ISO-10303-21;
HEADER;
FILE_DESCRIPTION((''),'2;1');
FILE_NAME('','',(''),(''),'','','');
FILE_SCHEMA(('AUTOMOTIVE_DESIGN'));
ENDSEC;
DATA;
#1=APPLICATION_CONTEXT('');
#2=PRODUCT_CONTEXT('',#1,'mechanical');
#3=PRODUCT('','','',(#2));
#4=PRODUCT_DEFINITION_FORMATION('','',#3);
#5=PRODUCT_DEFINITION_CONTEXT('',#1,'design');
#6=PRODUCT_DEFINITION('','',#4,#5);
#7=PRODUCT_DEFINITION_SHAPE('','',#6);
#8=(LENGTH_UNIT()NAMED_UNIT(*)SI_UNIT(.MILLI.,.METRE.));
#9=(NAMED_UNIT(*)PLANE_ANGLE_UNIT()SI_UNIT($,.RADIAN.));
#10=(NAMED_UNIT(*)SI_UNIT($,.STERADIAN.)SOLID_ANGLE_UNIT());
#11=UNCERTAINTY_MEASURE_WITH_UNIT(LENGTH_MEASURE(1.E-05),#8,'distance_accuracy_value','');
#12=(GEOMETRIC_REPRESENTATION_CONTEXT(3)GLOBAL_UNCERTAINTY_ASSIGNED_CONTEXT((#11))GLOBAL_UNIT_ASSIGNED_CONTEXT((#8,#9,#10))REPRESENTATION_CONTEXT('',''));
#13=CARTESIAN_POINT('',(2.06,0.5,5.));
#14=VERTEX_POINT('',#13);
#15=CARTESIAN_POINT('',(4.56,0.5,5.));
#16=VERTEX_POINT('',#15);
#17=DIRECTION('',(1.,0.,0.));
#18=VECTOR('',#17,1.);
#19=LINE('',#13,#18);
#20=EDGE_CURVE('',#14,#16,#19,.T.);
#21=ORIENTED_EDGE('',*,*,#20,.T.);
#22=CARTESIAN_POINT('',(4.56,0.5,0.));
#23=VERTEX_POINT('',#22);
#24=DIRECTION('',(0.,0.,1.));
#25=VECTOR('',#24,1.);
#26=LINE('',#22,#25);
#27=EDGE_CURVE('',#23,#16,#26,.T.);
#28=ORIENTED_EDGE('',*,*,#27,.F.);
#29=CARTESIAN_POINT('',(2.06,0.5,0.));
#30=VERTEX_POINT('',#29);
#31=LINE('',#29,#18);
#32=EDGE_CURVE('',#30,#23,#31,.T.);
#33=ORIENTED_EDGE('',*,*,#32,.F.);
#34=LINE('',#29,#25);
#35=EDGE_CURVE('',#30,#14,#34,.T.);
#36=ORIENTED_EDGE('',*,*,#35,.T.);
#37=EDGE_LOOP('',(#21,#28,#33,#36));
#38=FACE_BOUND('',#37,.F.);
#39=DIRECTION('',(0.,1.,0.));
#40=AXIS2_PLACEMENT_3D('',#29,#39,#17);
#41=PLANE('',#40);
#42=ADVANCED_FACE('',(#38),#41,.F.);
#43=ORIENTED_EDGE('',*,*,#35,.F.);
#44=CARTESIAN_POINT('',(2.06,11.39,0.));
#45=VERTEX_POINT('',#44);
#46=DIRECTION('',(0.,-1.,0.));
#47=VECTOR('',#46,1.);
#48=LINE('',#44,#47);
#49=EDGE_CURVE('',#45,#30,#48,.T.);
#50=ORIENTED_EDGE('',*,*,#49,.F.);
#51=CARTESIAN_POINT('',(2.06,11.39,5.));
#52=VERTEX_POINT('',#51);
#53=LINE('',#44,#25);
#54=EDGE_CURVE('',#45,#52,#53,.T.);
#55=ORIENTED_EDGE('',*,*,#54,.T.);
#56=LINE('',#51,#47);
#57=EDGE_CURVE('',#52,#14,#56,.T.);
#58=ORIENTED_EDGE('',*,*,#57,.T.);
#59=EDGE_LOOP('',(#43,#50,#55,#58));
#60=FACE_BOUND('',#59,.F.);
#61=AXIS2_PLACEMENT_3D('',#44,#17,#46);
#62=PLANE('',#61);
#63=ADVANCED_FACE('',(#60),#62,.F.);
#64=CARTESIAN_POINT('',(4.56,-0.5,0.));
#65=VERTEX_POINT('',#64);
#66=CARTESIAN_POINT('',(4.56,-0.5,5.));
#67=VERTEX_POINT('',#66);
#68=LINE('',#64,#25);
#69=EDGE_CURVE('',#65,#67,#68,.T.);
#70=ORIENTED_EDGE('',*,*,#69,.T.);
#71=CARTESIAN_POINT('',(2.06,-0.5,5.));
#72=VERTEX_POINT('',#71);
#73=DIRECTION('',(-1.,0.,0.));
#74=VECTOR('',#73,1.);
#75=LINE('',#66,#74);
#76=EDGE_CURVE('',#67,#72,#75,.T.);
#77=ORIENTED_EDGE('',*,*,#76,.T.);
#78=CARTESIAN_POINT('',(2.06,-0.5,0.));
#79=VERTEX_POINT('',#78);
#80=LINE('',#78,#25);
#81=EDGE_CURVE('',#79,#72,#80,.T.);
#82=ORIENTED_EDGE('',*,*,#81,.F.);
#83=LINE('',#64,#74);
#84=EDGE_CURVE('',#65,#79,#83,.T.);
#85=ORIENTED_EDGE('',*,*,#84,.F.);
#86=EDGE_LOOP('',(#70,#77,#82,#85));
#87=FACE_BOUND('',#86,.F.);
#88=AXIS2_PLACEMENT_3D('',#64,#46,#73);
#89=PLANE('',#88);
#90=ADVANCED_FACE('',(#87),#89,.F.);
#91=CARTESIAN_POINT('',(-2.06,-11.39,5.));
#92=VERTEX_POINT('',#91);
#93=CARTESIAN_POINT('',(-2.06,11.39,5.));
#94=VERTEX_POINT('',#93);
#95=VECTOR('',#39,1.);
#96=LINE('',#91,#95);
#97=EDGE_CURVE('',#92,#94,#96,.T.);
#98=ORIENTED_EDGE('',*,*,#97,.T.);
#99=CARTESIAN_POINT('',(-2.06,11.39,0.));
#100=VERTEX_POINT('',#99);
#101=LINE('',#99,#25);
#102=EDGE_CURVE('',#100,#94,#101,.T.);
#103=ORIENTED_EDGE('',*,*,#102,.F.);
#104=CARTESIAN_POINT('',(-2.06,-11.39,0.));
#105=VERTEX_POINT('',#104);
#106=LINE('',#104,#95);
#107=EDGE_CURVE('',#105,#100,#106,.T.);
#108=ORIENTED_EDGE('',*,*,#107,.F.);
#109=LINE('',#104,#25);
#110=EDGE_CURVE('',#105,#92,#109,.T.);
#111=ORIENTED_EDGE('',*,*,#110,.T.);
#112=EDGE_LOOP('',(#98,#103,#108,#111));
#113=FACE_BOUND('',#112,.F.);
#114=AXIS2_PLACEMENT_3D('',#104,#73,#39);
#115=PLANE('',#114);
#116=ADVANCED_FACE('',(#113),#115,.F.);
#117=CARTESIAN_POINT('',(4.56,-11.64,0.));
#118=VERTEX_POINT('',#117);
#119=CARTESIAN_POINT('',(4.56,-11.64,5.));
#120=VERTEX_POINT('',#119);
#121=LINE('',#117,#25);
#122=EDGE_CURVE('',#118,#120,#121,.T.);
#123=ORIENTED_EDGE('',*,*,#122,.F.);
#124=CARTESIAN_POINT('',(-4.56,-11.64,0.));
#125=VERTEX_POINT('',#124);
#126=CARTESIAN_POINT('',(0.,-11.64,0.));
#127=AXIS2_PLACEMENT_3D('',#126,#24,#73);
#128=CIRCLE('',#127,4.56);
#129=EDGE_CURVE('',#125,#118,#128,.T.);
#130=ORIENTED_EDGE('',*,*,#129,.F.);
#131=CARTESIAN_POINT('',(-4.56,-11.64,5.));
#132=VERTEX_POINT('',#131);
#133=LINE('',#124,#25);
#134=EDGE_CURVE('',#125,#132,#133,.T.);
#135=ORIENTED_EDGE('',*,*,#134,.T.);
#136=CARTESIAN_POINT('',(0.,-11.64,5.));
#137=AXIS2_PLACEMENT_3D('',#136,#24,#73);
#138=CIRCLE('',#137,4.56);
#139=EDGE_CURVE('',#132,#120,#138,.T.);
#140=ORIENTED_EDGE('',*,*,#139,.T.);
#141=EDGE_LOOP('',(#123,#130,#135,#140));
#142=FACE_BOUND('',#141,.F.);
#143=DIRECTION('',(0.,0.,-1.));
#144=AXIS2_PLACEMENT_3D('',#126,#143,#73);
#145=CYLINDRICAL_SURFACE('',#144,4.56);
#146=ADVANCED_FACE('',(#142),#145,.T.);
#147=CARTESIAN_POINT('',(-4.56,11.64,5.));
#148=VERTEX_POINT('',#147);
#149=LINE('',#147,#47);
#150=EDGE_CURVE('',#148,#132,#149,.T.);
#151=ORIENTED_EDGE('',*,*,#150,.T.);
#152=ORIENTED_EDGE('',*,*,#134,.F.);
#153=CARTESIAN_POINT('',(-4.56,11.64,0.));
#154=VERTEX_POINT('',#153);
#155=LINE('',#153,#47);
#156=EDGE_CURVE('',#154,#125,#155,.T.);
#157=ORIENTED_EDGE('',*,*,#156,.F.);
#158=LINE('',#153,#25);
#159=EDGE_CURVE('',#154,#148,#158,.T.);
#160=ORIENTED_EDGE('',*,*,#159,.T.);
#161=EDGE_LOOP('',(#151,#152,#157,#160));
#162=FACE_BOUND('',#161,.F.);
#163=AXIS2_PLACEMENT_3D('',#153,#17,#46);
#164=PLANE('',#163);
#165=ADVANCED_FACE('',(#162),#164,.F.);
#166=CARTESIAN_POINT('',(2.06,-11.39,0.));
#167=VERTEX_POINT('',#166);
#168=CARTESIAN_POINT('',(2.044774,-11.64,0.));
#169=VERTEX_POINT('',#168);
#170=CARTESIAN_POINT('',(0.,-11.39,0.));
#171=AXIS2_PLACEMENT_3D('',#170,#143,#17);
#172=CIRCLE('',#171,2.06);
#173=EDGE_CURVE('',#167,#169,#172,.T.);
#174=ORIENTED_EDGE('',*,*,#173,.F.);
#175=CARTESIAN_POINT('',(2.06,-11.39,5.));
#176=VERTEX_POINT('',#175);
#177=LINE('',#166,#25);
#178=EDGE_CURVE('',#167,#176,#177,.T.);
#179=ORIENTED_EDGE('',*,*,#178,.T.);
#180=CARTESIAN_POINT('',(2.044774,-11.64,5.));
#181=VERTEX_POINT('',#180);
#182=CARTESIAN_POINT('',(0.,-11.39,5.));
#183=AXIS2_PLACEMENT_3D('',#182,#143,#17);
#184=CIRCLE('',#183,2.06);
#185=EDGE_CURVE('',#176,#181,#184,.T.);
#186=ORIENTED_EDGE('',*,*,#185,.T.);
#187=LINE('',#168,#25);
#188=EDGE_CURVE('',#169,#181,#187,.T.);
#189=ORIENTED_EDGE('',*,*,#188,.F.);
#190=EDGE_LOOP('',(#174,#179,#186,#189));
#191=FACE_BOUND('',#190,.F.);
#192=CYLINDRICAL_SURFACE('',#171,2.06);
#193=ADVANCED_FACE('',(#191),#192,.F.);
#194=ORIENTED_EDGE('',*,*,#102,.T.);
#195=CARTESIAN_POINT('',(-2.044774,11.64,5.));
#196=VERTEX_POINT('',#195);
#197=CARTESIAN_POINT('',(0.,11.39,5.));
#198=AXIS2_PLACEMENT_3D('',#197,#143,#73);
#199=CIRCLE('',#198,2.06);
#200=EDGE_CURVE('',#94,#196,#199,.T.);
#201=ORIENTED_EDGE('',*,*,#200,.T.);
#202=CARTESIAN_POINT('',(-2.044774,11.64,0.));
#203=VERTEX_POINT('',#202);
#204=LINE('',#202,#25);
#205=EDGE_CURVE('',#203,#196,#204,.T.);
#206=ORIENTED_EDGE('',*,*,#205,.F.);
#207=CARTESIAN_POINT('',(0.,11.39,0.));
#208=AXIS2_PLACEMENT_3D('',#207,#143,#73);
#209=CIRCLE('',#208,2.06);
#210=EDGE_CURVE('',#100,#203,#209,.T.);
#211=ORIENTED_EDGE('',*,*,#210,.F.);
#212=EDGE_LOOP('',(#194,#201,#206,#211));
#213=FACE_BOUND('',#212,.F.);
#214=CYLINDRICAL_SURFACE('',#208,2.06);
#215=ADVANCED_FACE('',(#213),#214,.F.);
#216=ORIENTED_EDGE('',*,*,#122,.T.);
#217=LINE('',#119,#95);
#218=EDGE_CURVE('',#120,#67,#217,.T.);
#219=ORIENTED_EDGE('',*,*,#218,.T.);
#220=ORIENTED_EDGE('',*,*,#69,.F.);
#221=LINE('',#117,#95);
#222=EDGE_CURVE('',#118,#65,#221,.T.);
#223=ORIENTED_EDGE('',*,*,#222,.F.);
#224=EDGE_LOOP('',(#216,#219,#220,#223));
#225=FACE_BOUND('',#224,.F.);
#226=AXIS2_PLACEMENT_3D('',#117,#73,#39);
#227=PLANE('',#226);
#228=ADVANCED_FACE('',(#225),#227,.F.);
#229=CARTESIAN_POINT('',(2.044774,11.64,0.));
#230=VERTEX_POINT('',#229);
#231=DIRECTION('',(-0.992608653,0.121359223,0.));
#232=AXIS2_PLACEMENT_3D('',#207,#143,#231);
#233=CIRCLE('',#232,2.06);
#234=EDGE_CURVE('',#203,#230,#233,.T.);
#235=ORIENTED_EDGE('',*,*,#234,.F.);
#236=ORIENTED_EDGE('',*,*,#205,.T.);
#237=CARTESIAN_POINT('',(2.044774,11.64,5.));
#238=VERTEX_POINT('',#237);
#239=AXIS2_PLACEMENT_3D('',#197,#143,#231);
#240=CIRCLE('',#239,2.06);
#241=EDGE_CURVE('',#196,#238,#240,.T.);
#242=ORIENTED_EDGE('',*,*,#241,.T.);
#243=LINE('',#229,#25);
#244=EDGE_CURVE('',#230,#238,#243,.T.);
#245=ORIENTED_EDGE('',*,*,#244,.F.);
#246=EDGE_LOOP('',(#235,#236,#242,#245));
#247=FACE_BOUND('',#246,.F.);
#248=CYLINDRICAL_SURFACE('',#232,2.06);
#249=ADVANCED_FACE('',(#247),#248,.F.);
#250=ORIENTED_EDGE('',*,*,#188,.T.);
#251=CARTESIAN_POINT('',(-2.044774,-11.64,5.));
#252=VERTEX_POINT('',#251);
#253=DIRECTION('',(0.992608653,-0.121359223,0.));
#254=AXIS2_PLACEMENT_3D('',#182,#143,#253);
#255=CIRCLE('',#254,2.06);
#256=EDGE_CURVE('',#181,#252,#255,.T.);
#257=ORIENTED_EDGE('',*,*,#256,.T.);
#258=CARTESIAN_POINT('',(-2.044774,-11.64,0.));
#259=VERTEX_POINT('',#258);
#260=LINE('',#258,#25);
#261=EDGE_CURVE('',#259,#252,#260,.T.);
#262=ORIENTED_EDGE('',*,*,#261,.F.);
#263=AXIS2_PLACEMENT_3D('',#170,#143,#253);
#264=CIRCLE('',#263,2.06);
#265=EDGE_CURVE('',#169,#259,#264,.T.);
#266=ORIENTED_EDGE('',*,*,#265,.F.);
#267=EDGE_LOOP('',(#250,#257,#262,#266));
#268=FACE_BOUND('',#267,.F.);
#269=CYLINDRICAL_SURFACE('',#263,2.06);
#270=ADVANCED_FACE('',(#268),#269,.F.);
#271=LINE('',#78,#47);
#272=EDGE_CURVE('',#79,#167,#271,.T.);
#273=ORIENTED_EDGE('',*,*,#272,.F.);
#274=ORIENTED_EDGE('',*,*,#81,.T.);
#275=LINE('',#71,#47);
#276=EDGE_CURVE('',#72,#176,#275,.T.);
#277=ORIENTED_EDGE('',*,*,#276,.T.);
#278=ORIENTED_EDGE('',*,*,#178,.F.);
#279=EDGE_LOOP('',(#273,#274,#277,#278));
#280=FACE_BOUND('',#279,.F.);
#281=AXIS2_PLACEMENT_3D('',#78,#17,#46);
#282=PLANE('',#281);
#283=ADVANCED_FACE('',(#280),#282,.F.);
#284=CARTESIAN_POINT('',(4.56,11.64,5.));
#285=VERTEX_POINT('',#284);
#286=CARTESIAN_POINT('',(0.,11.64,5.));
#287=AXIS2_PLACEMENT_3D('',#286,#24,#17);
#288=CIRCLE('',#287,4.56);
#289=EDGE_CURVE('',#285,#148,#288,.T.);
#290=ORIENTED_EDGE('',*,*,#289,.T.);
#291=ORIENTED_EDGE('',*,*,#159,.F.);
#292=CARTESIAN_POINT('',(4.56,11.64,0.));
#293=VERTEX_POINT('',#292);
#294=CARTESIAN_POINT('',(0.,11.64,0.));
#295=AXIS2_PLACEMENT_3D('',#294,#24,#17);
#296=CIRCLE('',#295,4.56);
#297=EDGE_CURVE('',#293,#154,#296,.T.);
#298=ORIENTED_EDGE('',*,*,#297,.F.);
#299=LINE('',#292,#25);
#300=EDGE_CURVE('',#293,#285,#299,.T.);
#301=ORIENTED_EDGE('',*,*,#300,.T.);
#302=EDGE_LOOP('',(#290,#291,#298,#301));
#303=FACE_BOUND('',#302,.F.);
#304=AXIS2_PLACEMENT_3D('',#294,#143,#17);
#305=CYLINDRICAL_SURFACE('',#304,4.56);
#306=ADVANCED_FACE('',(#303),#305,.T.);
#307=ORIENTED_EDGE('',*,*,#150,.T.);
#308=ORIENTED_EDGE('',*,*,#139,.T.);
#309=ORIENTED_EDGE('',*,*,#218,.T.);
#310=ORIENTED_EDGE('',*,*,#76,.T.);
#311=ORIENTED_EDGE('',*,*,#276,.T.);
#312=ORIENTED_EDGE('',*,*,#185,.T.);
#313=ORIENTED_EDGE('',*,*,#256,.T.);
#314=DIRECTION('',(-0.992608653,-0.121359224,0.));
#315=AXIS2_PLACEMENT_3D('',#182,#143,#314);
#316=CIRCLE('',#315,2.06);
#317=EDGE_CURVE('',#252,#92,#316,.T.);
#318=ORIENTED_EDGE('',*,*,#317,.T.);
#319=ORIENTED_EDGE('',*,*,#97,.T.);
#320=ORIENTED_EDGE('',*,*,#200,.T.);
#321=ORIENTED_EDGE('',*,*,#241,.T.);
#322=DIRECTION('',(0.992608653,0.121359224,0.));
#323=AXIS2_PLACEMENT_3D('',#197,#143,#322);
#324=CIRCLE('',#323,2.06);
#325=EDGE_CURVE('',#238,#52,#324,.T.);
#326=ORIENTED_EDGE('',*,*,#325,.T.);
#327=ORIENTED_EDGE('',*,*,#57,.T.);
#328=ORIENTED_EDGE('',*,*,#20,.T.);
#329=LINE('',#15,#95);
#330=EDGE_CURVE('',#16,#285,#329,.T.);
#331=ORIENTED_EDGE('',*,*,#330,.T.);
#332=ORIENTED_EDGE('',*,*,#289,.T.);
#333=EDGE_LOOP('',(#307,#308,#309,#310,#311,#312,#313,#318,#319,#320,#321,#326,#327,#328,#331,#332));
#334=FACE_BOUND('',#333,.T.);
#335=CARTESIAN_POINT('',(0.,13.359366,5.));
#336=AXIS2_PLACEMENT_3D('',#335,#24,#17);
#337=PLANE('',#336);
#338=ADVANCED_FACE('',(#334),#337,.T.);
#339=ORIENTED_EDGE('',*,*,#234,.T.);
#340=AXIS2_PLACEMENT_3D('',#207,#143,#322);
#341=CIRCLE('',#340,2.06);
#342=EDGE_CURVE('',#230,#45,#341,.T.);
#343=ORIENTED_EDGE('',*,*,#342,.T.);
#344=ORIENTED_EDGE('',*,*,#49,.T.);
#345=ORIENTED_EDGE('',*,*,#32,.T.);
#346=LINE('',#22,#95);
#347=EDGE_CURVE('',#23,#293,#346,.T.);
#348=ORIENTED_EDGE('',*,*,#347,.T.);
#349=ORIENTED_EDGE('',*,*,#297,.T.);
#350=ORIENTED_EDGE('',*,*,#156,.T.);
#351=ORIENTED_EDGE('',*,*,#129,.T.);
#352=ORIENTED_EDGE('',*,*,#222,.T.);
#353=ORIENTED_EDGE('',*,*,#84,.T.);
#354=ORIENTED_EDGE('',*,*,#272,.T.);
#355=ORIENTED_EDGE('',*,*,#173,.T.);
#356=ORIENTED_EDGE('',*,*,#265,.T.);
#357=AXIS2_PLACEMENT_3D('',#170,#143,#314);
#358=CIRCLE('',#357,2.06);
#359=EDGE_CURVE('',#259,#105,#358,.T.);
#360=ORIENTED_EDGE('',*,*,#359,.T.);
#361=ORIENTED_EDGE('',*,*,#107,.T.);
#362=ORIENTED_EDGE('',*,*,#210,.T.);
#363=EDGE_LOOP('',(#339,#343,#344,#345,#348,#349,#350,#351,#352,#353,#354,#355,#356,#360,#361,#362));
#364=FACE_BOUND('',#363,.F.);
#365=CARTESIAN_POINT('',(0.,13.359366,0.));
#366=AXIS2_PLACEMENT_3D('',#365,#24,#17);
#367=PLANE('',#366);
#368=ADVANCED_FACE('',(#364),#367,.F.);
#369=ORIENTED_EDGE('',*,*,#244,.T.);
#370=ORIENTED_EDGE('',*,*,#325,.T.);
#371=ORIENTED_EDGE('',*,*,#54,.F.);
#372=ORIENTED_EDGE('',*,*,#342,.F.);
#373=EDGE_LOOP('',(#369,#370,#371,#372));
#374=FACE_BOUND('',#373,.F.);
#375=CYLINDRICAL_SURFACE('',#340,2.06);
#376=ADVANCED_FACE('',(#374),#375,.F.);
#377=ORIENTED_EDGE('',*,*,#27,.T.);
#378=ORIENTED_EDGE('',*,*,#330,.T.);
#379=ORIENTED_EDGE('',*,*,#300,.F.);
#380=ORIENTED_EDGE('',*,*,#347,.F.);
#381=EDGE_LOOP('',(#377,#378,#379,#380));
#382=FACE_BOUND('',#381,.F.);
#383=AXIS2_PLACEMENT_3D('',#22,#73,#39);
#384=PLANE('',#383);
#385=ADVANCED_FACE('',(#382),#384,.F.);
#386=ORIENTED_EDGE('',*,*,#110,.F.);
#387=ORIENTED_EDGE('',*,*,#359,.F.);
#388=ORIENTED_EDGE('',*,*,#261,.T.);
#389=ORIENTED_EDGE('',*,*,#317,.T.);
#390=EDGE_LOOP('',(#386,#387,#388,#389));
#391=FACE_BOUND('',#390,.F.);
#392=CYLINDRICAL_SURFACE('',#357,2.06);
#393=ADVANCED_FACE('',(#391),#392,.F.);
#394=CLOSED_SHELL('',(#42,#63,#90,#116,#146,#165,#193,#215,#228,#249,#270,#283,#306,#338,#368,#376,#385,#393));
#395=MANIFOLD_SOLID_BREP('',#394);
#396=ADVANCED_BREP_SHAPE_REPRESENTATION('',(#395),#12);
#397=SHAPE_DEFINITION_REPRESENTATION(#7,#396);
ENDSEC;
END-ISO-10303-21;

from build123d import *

# Parameters (mm, degrees)
F1_DEPTH = 5


with BuildPart() as f1:
    # F0 (on Top) → F1 (new body)
    with BuildSketch(Plane.XY):
        with BuildLine():
            Line((2.0447738261, 11.64), (4.56, 11.64))
            ThreePointArc((4.56, 11.64), (0, 16.2), (-4.56, 11.64))
            Line((-4.56, 11.64), (-2.0447738261, 11.64))
            ThreePointArc((-2.0447738261, 11.64), (0, 13.45), (2.0447738261, 11.64))
        make_face()
        with BuildLine():
            Line((-2.0447738261, 11.64), (-4.56, 11.64))
            Line((-4.56, 11.64), (-4.56, -11.64))
            Line((-4.56, -11.64), (-2.0447738261, -11.64))
            ThreePointArc((-2.0447738261, -11.64), (-2.0561899331, -11.5152316218), (-2.06, -11.39))
            Line((-2.06, -11.39), (-2.06, 11.39))
            ThreePointArc((-2.06, 11.39), (-2.0561899331, 11.5152316218), (-2.0447738261, 11.64))
        make_face()
        with BuildLine():
            Line((-2.0447738261, -11.64), (-4.56, -11.64))
            ThreePointArc((-4.56, -11.64), (0, -16.2), (4.56, -11.64))
            Line((4.56, -11.64), (2.0447738261, -11.64))
            ThreePointArc((2.0447738261, -11.64), (0, -13.45), (-2.0447738261, -11.64))
        make_face()
        with BuildLine():
            Line((4.56, 0.5), (4.56, 11.64))
            Line((4.56, 11.64), (2.0447738261, 11.64))
            ThreePointArc((2.0447738261, 11.64), (2.0561899331, 11.5152316218), (2.06, 11.39))
            Line((2.06, 11.39), (2.06, 0.5))
            Line((2.06, 0.5), (4.56, 0.5))
        make_face()
        with BuildLine():
            Line((4.56, -11.64), (4.56, -0.5))
            Line((4.56, -0.5), (2.06, -0.5))
            Line((2.06, -0.5), (2.06, -11.39))
            ThreePointArc((2.06, -11.39), (2.0561899331, -11.5152316218), (2.0447738261, -11.64))
            Line((2.0447738261, -11.64), (4.56, -11.64))
        make_face()
    extrude(amount=F1_DEPTH)


solid = f1.part
